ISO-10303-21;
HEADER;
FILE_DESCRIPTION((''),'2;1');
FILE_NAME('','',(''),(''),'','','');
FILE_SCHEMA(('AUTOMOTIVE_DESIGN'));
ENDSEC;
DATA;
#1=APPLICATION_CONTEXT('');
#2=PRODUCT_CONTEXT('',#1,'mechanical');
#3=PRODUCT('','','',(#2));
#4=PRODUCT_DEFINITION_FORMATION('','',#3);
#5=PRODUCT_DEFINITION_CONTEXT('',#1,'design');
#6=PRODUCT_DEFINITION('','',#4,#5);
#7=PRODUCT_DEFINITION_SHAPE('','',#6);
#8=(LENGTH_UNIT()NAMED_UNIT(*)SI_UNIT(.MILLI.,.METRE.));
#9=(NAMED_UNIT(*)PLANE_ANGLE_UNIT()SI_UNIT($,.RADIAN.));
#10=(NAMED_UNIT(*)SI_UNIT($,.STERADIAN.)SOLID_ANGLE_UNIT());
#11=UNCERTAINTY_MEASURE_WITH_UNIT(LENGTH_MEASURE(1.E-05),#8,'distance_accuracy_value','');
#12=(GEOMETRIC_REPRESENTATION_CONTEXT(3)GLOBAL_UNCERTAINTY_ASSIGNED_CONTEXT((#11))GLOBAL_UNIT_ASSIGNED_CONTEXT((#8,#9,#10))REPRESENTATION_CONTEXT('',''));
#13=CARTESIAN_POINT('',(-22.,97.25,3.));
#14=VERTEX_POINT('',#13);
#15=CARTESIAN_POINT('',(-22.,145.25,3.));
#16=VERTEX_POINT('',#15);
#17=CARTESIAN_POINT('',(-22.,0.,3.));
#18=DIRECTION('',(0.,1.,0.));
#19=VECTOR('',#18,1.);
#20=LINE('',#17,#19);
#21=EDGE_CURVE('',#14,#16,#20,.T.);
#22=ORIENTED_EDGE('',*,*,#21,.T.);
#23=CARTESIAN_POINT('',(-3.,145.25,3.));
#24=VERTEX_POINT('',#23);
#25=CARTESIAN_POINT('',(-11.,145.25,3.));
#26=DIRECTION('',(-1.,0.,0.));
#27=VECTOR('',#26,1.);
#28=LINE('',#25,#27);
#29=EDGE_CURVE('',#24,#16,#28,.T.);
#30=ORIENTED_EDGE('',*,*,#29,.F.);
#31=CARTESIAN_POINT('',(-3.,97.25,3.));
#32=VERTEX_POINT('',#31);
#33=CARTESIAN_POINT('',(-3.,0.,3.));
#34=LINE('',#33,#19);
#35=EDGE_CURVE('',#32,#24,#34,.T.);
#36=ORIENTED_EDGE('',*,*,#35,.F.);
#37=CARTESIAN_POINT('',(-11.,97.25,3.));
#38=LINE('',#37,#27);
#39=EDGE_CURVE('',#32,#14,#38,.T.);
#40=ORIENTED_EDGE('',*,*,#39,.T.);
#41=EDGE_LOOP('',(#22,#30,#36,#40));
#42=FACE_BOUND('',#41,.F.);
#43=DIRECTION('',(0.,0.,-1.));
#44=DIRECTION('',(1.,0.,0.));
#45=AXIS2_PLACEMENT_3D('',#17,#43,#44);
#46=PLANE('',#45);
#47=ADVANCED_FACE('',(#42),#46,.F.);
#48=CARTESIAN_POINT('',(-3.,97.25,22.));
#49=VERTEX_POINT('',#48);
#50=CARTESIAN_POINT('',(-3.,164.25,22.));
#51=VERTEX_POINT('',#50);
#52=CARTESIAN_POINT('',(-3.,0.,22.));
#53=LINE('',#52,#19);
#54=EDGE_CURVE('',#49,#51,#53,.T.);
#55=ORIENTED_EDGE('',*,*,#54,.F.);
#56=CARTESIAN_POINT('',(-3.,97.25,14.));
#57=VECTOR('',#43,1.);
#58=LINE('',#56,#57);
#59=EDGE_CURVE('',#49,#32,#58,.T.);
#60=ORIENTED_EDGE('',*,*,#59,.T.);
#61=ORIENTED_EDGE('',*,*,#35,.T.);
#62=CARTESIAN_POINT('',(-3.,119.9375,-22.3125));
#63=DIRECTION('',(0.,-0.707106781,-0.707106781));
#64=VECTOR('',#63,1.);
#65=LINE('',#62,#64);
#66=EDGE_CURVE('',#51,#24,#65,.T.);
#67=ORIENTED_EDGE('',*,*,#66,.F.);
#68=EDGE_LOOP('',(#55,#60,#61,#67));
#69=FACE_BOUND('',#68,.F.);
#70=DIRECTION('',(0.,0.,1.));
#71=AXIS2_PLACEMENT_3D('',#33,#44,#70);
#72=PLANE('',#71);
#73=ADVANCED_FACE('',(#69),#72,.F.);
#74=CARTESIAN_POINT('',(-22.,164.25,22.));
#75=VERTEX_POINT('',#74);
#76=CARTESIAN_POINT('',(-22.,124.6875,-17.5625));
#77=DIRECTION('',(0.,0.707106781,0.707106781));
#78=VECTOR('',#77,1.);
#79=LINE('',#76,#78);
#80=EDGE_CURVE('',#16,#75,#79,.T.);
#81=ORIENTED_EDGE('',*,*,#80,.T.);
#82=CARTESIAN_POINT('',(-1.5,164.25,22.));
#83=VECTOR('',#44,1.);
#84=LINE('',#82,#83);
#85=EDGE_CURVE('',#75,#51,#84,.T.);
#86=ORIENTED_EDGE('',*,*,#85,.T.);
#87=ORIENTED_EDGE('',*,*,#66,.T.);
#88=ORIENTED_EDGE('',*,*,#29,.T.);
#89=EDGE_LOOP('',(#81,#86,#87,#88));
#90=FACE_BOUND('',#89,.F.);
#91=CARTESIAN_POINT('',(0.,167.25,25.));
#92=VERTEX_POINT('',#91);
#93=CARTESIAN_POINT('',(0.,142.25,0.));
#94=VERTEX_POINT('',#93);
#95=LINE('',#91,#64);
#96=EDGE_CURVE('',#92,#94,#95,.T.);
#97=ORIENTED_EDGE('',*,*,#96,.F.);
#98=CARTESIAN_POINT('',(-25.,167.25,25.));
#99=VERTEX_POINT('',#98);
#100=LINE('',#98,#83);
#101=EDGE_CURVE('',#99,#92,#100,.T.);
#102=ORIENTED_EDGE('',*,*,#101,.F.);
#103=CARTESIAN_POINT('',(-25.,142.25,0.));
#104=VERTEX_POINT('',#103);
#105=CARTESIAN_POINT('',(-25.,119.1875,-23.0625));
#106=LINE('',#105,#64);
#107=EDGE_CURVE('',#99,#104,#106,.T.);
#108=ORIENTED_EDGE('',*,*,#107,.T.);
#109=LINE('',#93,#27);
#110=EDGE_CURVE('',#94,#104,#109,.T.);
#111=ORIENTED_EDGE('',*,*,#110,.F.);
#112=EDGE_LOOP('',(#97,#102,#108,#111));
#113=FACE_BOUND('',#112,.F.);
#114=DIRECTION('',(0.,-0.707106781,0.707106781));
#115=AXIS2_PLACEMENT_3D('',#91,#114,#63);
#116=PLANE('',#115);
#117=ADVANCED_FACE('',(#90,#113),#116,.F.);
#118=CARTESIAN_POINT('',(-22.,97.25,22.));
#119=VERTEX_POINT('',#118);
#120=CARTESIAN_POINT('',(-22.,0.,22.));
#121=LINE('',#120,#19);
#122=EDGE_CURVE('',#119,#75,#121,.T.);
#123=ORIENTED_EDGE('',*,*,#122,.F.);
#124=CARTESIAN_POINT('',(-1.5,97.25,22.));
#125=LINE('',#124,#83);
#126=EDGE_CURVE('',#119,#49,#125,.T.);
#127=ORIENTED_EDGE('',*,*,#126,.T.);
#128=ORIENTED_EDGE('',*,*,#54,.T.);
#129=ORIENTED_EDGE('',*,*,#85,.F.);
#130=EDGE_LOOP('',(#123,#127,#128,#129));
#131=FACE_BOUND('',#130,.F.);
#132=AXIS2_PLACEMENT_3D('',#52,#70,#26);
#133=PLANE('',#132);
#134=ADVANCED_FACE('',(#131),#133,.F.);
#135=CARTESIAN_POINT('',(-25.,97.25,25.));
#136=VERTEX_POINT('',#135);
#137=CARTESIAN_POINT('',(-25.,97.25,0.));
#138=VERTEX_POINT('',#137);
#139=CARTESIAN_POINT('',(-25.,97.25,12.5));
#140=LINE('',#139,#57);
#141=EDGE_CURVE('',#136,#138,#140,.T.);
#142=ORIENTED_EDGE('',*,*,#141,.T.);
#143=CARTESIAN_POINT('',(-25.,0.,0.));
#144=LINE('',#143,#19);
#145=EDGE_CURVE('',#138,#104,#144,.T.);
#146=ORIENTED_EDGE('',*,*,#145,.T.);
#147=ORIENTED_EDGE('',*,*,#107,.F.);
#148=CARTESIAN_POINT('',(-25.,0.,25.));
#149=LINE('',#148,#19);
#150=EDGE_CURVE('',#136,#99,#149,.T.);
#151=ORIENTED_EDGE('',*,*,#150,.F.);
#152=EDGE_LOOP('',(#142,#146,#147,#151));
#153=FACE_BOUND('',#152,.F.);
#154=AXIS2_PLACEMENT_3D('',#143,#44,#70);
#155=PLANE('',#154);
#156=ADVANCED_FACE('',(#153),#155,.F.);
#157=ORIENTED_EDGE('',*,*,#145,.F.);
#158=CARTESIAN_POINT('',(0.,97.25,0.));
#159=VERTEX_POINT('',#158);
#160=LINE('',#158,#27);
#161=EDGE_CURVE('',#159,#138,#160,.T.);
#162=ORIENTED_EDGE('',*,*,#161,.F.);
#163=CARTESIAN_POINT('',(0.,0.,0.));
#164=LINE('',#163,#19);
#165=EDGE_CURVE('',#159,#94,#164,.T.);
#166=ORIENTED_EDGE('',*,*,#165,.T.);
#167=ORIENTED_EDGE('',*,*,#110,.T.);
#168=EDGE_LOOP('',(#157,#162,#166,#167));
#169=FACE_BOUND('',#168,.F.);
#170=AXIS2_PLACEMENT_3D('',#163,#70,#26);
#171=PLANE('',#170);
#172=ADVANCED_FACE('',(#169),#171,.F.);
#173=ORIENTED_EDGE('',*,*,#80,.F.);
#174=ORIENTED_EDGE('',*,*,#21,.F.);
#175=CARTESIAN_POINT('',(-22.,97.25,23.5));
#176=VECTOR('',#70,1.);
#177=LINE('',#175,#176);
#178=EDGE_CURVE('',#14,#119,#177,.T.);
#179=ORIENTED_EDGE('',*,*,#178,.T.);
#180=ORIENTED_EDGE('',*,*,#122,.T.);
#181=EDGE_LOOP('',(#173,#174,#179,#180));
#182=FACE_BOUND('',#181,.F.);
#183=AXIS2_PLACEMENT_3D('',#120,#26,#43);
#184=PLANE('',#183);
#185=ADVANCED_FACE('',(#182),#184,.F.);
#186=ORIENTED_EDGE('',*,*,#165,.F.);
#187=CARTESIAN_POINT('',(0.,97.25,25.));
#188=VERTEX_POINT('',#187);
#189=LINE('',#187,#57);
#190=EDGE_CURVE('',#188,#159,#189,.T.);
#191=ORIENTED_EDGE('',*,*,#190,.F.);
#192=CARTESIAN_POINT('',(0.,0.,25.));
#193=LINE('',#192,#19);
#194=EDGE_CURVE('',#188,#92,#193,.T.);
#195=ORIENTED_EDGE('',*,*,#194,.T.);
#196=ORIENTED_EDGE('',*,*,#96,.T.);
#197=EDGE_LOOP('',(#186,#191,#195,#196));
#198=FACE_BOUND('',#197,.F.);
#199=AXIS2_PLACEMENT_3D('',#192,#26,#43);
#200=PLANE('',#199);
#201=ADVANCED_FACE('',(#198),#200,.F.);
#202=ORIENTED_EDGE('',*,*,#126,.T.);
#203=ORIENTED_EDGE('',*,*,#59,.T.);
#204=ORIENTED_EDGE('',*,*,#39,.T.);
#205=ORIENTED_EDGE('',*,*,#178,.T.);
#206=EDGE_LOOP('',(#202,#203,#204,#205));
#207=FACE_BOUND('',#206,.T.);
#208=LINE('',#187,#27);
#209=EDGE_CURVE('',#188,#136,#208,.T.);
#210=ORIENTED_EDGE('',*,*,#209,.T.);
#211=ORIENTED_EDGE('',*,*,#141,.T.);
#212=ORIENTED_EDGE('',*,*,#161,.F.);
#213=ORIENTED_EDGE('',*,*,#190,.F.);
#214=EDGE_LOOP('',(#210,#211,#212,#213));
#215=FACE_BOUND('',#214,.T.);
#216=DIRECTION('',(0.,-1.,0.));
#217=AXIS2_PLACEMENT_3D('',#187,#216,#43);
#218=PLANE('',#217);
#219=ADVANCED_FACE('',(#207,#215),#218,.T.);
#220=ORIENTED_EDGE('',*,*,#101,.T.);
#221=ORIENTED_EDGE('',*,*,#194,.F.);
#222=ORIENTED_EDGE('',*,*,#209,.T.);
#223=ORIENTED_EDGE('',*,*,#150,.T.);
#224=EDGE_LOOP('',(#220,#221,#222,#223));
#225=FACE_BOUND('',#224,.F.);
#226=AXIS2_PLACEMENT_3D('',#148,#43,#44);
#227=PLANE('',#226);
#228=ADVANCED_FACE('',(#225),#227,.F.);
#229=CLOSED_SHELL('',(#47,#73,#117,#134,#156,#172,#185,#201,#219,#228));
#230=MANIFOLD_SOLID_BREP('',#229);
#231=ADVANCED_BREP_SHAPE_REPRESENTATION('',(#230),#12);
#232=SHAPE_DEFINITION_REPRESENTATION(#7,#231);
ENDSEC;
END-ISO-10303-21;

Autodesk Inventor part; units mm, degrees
ref_plane "YZ Plane" through (0, 0, 0) normal (1, 0, 0) x (0, 1, 0)
ref_plane "XZ Plane" through (0, 0, 0) normal (0, 1, 0) x (-1, 0, 0)
ref_plane "XY Plane" through (0, 0, 0) normal (0, 0, 1) x (1, 0, 0)
sketch "Sketch1" plane through (0, 0, 0) normal (0, 1, 0) x (-1, 0, 0)
  line L0 (0, 0) -> (25, 0)
  line L1 (25, 0) -> (25, 25)
  line L2 (25, 25) -> (0, 25)
  line L3 (0, 25) -> (0, 0)
  line L4 (22, 22) -> (22, 3)
  line L5 (22, 3) -> (3, 3)
  line L6 (3, 3) -> (3, 22)
  line L7 (3, 22) -> (22, 22)
  dimension "d0" = 25
  dimension "d1" = 25
  dimension "d2" = 3
extrude "Extrusion1" add sketch "Sketch1" along normal blind 167.25
sketch "Sketch4" plane through (0, 0, 25) normal (1, 0, 0) x (0, 0, -1)
  line L0 (0, 0) -> (25, 0) projected
  line L1 (25, 0) -> (25, 167.25) projected
  line L2 (0, 167.25) -> (25, 167.25) projected
  line L3 (0, 0) -> (0, 167.25) projected
  line L4 (0, 167.25) -> (25, 142.25)
  line L5 (0, 167.25) -> (35.3553, 167.25) construction
  line L6 (0, 167.25) -> (0, 97.25)
  line L7 (0, 0) -> (0, 167.25) projected
  line L8 (0, 97.25) -> (25, 97.25)
  line L9 (25, 142.25) -> (25, 97.25)
  dimension "d12" = 45
  dimension "d13" = 70
extrude "Extrusion4" cut sketch "Sketch4" against normal through all contours L3 L8 L1 L0 | L2 L1 L4
properties part number "P602" material "Aluminum 6061"
